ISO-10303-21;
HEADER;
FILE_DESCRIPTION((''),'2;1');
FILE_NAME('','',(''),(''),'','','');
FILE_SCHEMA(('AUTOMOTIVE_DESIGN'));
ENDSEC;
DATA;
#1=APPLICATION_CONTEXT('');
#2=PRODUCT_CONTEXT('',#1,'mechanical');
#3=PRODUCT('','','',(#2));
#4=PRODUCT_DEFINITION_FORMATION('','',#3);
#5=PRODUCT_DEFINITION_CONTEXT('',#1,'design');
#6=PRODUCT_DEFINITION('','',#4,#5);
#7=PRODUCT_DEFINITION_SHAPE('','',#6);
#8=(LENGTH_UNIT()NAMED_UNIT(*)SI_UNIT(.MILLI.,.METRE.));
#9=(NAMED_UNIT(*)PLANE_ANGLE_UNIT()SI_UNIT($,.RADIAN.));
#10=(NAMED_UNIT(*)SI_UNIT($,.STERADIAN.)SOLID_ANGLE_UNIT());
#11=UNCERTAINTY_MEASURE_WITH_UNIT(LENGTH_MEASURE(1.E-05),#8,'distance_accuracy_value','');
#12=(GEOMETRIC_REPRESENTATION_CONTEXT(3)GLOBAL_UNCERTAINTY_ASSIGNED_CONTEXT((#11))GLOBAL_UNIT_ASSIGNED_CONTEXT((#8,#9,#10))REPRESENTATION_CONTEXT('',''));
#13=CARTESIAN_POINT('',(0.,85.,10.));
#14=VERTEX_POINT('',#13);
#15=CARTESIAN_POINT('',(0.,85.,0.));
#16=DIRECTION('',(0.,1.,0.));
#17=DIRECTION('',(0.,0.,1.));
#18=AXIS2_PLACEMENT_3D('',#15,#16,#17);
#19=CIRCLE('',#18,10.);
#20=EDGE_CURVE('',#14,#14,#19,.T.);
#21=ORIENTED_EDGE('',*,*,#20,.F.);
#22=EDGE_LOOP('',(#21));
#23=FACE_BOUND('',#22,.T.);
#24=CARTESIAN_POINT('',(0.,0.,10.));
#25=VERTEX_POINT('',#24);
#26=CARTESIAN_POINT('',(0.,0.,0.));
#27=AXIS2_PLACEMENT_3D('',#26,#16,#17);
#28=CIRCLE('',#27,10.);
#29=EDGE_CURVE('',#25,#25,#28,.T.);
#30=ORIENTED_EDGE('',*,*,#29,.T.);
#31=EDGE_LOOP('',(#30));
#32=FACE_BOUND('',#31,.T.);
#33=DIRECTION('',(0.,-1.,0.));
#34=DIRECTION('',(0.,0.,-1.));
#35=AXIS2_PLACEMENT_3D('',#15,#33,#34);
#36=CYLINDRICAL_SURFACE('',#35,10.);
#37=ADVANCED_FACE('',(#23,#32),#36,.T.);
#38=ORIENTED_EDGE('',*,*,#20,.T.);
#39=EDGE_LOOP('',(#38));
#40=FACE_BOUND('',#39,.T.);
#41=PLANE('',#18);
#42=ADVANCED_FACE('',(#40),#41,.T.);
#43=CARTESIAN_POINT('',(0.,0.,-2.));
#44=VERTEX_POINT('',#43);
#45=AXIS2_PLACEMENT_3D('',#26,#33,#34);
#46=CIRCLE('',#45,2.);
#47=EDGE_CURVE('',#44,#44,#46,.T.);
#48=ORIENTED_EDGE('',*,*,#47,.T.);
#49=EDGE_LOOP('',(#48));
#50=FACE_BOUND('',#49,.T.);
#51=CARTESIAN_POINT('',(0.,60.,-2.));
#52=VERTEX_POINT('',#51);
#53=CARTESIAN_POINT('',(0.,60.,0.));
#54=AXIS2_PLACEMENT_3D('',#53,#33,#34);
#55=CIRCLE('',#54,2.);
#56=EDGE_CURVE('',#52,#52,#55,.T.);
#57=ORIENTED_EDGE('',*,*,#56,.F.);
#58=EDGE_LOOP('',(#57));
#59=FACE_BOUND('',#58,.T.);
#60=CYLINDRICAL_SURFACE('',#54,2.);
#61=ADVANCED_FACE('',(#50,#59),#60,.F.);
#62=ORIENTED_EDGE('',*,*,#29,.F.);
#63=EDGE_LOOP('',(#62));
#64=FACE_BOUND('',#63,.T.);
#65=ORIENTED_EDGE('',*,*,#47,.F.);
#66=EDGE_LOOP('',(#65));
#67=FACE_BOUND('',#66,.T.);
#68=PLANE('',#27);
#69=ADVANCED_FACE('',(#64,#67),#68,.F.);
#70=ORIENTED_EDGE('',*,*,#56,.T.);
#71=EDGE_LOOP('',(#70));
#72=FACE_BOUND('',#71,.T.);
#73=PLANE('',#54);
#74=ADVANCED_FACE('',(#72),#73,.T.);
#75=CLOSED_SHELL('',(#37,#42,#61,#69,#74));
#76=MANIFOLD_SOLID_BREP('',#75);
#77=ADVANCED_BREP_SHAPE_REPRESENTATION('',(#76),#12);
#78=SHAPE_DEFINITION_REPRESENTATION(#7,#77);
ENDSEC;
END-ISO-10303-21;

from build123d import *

# Parameters (mm, degrees)
SKETCH_1_R          = 10
EXTRUDE_1_DEPTH     = 85
SKETCH_2_R          = 2
CUT_EXTRUDE_1_DEPTH = 60


with BuildPart() as part:
    # Эскиз1 → Бобышка-Вытянуть1 (new body)
    with BuildSketch(Plane(origin=(0, 0, 0), x_dir=(1, 0, 0), z_dir=(0, 1, 0))):
        Circle(SKETCH_1_R)
    extrude(amount=EXTRUDE_1_DEPTH)

    # Эскиз2 → Вырез-Вытянуть1 (cut)
    with BuildSketch(Plane.XZ):
        Circle(SKETCH_2_R)
    extrude(amount=-CUT_EXTRUDE_1_DEPTH, mode=Mode.SUBTRACT)


solid = part.part
